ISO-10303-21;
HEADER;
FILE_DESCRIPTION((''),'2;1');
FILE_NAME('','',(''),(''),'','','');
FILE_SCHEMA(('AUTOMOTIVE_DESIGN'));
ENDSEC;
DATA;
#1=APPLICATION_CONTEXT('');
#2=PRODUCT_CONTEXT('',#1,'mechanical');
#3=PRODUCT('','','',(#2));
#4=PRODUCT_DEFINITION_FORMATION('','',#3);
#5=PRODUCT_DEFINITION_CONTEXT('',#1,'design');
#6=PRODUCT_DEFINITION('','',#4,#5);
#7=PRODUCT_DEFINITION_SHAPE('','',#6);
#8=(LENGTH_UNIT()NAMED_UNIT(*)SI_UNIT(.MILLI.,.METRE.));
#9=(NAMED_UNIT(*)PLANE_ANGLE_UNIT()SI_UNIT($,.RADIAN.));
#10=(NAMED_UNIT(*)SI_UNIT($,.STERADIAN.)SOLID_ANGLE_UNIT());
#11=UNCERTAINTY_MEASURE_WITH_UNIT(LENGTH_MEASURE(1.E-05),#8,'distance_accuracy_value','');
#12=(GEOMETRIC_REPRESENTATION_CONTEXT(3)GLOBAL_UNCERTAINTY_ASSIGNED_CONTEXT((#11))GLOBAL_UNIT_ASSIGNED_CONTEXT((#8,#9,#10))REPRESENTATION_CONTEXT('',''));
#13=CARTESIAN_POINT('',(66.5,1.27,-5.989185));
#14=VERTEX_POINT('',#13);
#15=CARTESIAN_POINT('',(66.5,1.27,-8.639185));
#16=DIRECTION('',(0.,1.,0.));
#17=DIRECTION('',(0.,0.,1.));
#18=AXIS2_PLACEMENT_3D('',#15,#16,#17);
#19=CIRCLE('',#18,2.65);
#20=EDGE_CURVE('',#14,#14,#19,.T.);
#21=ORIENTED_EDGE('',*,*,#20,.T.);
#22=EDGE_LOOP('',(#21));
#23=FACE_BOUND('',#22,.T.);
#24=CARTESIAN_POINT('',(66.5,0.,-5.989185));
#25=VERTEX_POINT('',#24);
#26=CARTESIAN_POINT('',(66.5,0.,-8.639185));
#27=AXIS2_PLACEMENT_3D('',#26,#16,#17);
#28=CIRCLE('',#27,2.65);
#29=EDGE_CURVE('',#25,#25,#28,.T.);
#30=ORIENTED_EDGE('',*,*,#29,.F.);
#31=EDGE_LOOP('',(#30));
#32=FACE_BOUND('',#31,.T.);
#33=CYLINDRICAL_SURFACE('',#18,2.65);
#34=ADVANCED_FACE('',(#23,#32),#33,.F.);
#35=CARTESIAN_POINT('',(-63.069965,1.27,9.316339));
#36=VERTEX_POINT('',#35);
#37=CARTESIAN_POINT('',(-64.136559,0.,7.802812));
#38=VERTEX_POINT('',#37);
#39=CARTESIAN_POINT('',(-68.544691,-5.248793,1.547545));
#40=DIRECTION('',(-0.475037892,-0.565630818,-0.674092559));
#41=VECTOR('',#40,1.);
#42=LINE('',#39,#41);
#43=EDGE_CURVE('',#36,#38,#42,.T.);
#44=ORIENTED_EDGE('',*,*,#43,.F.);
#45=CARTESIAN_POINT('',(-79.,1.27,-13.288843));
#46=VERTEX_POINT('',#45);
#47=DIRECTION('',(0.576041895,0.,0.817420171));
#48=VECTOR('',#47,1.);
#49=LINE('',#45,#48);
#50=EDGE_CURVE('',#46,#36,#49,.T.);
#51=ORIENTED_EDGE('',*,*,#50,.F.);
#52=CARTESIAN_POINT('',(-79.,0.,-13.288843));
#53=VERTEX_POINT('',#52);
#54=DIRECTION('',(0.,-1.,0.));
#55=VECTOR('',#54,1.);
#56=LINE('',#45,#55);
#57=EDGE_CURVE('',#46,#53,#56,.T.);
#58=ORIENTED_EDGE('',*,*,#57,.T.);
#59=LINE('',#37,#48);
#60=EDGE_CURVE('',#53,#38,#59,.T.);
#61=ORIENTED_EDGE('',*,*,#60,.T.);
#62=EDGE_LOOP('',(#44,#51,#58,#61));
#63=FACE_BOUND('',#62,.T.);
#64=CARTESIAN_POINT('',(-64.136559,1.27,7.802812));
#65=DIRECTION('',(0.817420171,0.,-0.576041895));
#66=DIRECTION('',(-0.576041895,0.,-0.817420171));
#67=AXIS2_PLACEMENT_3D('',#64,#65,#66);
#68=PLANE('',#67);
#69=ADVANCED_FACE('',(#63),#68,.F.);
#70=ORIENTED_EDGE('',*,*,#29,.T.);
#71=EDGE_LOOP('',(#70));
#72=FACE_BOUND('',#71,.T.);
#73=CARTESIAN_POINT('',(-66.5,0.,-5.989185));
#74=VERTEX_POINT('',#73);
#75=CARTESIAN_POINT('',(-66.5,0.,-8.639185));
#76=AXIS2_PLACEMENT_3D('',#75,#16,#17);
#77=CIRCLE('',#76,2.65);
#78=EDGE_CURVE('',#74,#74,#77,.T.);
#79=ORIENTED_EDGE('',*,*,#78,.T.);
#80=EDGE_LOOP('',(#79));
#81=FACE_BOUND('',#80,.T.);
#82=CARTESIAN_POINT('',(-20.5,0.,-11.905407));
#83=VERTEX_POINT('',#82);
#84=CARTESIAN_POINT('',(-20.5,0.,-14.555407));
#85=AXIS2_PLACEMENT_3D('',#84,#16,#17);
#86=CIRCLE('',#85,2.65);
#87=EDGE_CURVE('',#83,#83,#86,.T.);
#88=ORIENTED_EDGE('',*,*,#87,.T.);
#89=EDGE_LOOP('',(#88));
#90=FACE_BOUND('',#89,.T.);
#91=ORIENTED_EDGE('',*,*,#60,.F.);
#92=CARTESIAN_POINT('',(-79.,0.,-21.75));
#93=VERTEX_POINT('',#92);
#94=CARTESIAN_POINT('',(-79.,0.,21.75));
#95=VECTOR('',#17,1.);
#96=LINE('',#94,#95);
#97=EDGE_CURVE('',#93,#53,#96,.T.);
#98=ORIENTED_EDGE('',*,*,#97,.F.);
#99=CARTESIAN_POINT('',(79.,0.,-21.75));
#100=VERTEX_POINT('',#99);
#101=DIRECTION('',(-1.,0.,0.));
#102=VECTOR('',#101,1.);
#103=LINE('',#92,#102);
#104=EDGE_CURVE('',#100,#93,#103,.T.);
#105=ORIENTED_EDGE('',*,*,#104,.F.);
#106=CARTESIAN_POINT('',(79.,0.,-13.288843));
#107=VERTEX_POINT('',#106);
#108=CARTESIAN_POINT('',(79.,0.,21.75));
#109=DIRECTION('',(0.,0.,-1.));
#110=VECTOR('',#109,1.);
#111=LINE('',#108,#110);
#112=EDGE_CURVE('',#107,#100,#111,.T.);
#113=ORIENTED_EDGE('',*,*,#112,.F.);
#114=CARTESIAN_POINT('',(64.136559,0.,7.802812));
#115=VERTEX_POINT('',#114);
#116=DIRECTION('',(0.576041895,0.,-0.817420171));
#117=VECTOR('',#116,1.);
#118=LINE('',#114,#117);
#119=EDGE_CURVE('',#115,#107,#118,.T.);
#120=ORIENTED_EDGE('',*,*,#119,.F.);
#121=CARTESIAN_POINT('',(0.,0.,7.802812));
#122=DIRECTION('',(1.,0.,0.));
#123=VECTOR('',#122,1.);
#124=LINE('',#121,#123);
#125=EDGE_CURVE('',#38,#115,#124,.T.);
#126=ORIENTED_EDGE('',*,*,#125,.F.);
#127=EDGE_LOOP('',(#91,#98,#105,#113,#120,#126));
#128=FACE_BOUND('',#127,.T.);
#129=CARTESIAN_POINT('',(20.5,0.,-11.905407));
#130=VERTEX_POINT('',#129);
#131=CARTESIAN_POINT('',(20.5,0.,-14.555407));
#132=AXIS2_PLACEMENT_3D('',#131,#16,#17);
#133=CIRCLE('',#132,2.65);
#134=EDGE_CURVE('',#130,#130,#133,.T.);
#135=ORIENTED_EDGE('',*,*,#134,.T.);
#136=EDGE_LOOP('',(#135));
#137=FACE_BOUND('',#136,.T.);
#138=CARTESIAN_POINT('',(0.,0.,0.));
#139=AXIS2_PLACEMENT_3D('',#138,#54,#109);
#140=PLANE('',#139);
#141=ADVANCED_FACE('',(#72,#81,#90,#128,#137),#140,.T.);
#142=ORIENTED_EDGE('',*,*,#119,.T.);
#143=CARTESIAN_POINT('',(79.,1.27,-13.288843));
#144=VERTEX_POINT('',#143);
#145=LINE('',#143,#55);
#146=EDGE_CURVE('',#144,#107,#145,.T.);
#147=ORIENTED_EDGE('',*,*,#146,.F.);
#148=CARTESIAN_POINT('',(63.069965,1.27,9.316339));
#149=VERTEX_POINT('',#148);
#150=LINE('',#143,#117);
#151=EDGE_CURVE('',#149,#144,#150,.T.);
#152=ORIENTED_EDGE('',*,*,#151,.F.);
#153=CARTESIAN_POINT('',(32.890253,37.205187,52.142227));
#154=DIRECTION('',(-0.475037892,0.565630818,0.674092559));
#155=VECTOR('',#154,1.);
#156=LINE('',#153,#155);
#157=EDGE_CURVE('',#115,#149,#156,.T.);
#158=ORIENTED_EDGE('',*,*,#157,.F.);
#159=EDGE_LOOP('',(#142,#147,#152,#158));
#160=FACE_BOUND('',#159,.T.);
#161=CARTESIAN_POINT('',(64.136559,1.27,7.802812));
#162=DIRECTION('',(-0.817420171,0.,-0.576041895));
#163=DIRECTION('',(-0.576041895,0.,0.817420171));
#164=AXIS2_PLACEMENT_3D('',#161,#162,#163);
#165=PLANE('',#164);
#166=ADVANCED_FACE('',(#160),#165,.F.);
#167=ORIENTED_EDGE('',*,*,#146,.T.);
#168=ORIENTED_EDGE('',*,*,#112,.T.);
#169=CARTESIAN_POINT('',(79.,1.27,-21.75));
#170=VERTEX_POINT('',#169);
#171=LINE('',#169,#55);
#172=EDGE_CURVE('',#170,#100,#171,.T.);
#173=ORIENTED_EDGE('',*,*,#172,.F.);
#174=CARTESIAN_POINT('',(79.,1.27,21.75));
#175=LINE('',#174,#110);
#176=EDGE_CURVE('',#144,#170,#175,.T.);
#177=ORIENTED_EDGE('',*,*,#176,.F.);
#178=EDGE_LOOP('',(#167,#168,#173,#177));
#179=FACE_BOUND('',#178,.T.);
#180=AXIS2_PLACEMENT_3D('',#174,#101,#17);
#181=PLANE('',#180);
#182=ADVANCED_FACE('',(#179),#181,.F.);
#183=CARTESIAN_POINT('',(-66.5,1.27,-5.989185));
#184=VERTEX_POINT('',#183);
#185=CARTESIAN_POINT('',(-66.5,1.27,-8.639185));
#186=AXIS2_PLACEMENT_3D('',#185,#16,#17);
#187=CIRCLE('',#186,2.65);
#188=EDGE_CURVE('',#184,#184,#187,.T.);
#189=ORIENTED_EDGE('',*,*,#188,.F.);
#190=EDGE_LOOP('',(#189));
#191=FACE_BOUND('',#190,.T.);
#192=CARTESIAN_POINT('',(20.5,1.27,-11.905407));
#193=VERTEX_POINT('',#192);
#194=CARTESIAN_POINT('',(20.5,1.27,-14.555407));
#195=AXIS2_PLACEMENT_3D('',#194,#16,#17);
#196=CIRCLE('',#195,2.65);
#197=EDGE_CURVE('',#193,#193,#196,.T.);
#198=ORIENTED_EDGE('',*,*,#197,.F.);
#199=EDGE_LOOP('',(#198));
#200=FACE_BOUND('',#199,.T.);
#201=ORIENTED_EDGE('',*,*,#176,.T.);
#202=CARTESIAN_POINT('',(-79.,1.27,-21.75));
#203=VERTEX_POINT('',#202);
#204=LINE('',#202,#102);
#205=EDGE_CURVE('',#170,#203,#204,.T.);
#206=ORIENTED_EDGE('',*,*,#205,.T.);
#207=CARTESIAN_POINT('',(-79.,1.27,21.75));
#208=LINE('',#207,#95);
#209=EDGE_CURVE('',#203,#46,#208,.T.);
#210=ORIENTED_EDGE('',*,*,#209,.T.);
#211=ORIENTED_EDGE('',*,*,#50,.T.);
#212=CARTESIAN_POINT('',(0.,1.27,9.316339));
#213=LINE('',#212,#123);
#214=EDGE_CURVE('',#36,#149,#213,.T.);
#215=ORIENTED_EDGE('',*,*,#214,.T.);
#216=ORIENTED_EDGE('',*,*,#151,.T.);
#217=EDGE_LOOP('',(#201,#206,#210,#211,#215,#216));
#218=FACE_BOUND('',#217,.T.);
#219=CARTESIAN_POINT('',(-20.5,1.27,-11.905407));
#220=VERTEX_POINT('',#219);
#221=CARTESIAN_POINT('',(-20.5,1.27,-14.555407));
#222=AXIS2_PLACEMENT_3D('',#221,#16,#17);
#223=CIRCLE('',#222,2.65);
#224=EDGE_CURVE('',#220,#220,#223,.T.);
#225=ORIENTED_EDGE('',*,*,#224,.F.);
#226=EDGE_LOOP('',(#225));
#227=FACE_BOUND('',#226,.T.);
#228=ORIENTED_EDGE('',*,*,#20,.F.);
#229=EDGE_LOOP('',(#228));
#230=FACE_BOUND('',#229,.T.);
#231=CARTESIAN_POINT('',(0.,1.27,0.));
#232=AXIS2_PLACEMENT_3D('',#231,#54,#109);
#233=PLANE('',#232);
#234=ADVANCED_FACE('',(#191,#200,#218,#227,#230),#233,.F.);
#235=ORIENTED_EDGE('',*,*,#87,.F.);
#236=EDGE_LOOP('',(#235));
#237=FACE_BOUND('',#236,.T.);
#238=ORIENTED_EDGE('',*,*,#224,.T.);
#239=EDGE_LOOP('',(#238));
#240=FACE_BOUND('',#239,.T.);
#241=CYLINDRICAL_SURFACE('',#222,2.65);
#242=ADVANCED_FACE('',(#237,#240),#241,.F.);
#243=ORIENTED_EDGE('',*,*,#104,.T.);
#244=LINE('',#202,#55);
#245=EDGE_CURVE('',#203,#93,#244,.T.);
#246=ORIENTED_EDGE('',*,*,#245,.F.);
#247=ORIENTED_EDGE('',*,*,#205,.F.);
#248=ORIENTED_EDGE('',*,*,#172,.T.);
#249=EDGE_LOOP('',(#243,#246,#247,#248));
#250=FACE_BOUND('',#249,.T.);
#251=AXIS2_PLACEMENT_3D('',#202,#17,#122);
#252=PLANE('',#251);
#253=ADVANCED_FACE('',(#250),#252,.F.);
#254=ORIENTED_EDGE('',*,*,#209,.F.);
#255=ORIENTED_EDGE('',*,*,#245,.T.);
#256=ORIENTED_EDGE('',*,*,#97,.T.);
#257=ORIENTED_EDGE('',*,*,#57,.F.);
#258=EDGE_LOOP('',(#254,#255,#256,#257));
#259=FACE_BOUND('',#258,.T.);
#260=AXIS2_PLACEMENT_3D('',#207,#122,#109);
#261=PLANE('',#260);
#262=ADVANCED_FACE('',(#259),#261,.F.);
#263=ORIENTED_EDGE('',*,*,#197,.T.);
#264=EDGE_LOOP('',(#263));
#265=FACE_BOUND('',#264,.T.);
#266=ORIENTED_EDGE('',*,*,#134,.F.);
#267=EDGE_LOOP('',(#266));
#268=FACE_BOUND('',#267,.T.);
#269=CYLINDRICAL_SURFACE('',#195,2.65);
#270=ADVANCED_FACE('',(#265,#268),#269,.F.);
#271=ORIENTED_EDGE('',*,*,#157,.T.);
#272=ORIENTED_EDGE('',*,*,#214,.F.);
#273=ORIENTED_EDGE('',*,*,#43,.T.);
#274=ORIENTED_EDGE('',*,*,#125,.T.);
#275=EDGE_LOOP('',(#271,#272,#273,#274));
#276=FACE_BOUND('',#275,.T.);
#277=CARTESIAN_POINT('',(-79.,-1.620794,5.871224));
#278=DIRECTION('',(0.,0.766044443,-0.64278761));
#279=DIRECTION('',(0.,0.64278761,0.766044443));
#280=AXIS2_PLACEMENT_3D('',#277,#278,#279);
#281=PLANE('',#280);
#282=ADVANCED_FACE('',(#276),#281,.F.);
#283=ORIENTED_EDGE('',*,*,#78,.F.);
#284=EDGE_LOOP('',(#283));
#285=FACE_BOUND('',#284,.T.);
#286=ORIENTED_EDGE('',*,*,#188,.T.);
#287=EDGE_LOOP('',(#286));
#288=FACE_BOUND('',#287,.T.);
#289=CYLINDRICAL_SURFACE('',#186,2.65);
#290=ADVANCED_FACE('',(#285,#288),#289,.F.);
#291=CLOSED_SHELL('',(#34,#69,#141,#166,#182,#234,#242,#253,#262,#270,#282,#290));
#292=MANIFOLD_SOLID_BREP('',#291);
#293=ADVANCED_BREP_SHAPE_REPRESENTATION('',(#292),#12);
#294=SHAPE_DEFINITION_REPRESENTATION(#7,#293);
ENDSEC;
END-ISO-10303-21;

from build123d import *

# Parameters (mm, degrees)
SKETCH1_W            = 158
SKETCH1_H            = 43.5
BOSS_EXTRUDE1_DEPTH  = 1.27
CUT_EXTRUDE1_DEPTH   = 159
M5_CLEARANCE_HOLE1_D = 5.3
CUT_EXTRUDE2_DEPTH   = 2.27


with BuildPart() as part:
    # Sketch1 → Boss-Extrude1 (new body)
    with BuildSketch(Plane(origin=(0, 0, 0), x_dir=(1, 0, 0), z_dir=(0, 1, 0))):
        Rectangle(SKETCH1_W, SKETCH1_H)
    extrude(amount=BOSS_EXTRUDE1_DEPTH)

    # Sketch2 → Cut-Extrude1 (cut, through all)
    with BuildSketch(Plane(origin=(79, 0, 0), x_dir=(0, 0, -1), z_dir=(1, 0, 0))):
        Polygon((-22.585561228, 12.404199387), (-22.585561228, -1.620794398), (-5.871224499, -1.620794398), align=None)
    extrude(amount=-CUT_EXTRUDE1_DEPTH, mode=Mode.SUBTRACT)

    # M5 Clearance Hole1 (through all)
    with Locations(Plane(origin=(0, 1.27, 0), x_dir=(1, 0, 0), z_dir=(0, 1, 0))):
        with Locations((-66.5, 8.639185421), (-20.5, 14.555407289), (20.5, 14.555407289), (66.5, 8.639185421)):
            Hole(M5_CLEARANCE_HOLE1_D / 2)

    # Sketch5 → Cut-Extrude2 (cut, through all)
    with BuildSketch(Plane.XZ):
        Polygon((-79, -13.288842768), (-64.136558606, 7.802812046), (-59.820077438, 13.928024129), (-79, 13.928024129), align=None)
        Polygon((64.136558606, 7.802812046), (59.820077438, 13.928024129), (79, 13.928024129), (79, -13.288842768), align=None)
    extrude(amount=-CUT_EXTRUDE2_DEPTH, mode=Mode.SUBTRACT)


solid = part.part
